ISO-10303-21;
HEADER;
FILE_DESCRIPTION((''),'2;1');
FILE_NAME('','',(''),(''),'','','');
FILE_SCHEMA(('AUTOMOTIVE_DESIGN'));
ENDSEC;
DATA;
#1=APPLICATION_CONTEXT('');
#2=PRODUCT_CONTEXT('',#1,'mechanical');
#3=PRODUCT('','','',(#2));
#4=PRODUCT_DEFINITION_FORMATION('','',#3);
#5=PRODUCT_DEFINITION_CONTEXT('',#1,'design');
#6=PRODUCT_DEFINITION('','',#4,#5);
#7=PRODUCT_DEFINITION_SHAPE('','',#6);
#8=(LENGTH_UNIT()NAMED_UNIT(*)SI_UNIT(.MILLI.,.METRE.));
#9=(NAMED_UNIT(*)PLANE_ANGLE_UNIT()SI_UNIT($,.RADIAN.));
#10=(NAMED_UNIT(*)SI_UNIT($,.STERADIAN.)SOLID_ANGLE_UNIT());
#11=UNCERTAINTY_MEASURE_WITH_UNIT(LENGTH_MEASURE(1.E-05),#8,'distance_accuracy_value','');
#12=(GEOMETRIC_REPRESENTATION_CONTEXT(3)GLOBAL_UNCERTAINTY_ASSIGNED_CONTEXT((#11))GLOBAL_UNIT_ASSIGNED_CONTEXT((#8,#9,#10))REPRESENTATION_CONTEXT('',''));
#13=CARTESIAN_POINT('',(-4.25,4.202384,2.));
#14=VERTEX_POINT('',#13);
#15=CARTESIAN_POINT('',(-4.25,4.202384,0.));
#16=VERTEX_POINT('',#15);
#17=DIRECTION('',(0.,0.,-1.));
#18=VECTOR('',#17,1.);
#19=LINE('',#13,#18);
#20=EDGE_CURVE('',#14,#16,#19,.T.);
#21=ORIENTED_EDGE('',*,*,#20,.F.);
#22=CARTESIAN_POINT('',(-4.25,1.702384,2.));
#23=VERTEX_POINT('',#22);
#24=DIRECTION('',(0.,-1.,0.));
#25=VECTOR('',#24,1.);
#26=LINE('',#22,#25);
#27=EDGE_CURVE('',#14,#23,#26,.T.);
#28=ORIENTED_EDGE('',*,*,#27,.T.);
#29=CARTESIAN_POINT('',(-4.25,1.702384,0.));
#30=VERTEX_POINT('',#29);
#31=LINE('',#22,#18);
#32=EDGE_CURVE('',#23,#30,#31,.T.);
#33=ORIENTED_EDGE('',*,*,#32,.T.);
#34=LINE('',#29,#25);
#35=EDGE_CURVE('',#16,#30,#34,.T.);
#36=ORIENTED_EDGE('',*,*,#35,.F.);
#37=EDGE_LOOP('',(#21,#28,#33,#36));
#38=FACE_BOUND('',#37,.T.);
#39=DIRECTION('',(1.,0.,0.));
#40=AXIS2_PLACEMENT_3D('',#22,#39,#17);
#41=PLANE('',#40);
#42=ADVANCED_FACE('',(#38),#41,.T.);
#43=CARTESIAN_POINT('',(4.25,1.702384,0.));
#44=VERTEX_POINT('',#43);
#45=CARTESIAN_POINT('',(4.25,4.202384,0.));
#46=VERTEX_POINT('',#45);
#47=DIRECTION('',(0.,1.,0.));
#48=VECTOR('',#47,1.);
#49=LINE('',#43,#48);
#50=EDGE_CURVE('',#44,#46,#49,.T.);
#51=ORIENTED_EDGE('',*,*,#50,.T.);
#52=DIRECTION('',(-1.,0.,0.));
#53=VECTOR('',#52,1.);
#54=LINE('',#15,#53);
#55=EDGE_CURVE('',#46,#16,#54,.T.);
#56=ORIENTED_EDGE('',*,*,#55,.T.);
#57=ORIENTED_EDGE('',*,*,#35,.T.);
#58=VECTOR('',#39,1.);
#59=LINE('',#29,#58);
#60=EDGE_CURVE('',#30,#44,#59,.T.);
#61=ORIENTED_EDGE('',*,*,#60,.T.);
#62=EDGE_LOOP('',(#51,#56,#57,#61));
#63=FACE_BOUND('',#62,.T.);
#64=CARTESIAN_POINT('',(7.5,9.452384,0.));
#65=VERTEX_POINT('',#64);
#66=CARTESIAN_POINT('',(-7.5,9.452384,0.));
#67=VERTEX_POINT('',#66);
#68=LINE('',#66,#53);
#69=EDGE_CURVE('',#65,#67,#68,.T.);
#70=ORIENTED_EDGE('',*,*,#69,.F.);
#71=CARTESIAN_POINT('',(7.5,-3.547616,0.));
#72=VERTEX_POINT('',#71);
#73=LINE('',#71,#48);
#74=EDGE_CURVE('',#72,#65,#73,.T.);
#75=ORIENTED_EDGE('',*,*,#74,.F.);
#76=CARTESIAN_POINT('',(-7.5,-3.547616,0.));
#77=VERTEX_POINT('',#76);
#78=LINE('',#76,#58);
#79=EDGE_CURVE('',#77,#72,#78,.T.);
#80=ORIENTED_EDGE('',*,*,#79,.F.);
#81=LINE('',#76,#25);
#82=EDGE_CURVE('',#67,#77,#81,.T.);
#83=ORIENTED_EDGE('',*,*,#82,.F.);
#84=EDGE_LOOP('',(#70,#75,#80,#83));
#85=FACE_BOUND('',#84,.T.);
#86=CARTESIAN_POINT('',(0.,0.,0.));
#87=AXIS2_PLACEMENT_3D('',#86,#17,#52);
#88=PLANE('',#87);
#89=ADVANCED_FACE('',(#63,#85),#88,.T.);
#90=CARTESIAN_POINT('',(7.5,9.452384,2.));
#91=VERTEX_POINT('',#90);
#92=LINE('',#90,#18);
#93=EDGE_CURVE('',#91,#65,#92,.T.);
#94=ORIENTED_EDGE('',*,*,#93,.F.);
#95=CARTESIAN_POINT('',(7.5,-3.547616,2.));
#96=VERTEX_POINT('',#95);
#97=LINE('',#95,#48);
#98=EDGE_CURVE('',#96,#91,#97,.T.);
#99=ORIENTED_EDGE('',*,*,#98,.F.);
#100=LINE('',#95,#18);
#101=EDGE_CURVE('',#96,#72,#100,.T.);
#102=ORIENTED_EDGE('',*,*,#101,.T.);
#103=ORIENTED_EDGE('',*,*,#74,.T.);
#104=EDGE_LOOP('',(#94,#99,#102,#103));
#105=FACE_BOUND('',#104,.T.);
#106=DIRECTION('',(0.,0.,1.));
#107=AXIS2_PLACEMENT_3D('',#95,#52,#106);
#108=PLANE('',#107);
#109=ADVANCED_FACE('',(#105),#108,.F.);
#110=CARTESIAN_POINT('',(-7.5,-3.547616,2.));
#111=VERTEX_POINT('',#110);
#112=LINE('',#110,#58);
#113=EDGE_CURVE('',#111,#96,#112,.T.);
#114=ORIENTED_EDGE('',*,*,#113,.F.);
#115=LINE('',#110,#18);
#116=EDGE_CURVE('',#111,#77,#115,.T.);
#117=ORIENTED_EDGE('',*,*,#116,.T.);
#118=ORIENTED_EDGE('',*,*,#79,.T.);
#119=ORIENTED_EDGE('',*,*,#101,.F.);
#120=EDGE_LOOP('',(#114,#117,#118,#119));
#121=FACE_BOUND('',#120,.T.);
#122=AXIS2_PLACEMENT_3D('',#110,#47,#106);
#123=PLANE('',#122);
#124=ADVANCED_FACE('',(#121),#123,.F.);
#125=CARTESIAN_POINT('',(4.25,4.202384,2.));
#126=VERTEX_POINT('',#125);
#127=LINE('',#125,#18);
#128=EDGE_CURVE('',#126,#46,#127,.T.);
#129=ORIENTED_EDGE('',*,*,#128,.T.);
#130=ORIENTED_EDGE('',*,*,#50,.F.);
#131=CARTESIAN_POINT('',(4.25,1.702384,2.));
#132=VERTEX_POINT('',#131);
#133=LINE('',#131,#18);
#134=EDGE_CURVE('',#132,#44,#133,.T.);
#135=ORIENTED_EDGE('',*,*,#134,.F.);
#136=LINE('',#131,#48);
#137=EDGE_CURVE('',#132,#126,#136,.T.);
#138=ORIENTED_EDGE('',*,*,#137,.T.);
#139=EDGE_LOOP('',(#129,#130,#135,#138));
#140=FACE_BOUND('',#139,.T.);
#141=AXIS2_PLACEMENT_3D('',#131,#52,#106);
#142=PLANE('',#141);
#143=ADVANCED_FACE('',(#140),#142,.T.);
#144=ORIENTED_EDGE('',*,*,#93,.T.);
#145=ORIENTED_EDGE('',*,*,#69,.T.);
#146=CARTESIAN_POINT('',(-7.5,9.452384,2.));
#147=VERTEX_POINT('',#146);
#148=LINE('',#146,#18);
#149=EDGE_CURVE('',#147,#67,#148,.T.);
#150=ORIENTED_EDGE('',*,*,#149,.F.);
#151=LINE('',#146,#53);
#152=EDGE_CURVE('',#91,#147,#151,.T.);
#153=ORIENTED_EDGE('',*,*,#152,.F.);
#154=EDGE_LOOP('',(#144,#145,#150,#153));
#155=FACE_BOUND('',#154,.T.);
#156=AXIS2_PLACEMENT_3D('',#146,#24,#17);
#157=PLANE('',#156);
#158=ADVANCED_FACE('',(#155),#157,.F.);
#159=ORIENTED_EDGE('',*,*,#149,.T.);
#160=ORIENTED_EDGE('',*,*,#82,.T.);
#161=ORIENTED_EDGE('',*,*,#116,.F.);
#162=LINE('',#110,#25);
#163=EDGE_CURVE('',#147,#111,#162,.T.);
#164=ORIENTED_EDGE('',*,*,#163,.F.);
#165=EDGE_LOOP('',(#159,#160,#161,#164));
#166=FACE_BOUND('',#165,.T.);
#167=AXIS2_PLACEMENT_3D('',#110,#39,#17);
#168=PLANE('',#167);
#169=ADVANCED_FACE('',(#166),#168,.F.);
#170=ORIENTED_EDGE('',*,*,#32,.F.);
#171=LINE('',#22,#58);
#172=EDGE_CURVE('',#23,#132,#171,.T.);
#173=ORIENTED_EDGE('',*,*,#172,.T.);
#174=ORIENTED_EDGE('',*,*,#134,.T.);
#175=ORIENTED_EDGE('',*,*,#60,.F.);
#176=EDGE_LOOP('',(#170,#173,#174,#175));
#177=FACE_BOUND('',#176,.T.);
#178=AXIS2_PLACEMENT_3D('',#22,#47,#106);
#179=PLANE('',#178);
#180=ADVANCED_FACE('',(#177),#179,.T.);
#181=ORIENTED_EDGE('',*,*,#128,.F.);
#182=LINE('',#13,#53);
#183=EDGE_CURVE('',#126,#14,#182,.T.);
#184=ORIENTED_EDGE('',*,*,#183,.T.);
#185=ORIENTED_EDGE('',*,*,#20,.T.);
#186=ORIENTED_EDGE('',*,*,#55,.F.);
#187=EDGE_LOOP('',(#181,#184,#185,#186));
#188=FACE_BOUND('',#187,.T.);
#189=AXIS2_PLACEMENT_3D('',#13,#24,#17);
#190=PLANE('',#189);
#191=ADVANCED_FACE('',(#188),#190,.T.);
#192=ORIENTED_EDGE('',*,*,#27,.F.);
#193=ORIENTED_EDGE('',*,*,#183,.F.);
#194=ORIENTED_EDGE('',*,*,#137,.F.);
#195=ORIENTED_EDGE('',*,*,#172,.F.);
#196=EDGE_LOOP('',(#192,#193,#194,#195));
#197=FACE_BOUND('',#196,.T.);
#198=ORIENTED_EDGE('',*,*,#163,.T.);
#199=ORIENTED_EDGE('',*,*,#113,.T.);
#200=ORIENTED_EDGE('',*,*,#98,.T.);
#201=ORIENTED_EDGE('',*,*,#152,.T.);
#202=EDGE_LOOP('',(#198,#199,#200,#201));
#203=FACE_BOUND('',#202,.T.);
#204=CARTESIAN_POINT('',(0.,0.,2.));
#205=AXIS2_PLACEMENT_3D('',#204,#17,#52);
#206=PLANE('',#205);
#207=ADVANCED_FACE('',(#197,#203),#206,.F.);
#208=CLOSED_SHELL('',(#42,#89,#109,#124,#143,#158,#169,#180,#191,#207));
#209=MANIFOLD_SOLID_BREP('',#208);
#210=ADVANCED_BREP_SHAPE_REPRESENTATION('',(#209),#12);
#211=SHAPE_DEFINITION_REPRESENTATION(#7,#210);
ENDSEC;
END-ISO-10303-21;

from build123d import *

# Parameters (mm, degrees)
SKETCH1_W           = 15
SKETCH1_H           = 13
SKETCH1_W_2         = 8.5
SKETCH1_H_2         = 2.5
BOSS_EXTRUDE1_DEPTH = 2


with BuildPart() as part:
    # Sketch1 → Boss-Extrude1 (new body)
    with BuildSketch(Plane.XY):
        with Locations((0, 2.952384416)):
            Rectangle(SKETCH1_W, SKETCH1_H)
        with Locations((0, 2.952384416)):
            Rectangle(SKETCH1_W_2, SKETCH1_H_2, mode=Mode.SUBTRACT)
    extrude(amount=BOSS_EXTRUDE1_DEPTH)


solid = part.part
